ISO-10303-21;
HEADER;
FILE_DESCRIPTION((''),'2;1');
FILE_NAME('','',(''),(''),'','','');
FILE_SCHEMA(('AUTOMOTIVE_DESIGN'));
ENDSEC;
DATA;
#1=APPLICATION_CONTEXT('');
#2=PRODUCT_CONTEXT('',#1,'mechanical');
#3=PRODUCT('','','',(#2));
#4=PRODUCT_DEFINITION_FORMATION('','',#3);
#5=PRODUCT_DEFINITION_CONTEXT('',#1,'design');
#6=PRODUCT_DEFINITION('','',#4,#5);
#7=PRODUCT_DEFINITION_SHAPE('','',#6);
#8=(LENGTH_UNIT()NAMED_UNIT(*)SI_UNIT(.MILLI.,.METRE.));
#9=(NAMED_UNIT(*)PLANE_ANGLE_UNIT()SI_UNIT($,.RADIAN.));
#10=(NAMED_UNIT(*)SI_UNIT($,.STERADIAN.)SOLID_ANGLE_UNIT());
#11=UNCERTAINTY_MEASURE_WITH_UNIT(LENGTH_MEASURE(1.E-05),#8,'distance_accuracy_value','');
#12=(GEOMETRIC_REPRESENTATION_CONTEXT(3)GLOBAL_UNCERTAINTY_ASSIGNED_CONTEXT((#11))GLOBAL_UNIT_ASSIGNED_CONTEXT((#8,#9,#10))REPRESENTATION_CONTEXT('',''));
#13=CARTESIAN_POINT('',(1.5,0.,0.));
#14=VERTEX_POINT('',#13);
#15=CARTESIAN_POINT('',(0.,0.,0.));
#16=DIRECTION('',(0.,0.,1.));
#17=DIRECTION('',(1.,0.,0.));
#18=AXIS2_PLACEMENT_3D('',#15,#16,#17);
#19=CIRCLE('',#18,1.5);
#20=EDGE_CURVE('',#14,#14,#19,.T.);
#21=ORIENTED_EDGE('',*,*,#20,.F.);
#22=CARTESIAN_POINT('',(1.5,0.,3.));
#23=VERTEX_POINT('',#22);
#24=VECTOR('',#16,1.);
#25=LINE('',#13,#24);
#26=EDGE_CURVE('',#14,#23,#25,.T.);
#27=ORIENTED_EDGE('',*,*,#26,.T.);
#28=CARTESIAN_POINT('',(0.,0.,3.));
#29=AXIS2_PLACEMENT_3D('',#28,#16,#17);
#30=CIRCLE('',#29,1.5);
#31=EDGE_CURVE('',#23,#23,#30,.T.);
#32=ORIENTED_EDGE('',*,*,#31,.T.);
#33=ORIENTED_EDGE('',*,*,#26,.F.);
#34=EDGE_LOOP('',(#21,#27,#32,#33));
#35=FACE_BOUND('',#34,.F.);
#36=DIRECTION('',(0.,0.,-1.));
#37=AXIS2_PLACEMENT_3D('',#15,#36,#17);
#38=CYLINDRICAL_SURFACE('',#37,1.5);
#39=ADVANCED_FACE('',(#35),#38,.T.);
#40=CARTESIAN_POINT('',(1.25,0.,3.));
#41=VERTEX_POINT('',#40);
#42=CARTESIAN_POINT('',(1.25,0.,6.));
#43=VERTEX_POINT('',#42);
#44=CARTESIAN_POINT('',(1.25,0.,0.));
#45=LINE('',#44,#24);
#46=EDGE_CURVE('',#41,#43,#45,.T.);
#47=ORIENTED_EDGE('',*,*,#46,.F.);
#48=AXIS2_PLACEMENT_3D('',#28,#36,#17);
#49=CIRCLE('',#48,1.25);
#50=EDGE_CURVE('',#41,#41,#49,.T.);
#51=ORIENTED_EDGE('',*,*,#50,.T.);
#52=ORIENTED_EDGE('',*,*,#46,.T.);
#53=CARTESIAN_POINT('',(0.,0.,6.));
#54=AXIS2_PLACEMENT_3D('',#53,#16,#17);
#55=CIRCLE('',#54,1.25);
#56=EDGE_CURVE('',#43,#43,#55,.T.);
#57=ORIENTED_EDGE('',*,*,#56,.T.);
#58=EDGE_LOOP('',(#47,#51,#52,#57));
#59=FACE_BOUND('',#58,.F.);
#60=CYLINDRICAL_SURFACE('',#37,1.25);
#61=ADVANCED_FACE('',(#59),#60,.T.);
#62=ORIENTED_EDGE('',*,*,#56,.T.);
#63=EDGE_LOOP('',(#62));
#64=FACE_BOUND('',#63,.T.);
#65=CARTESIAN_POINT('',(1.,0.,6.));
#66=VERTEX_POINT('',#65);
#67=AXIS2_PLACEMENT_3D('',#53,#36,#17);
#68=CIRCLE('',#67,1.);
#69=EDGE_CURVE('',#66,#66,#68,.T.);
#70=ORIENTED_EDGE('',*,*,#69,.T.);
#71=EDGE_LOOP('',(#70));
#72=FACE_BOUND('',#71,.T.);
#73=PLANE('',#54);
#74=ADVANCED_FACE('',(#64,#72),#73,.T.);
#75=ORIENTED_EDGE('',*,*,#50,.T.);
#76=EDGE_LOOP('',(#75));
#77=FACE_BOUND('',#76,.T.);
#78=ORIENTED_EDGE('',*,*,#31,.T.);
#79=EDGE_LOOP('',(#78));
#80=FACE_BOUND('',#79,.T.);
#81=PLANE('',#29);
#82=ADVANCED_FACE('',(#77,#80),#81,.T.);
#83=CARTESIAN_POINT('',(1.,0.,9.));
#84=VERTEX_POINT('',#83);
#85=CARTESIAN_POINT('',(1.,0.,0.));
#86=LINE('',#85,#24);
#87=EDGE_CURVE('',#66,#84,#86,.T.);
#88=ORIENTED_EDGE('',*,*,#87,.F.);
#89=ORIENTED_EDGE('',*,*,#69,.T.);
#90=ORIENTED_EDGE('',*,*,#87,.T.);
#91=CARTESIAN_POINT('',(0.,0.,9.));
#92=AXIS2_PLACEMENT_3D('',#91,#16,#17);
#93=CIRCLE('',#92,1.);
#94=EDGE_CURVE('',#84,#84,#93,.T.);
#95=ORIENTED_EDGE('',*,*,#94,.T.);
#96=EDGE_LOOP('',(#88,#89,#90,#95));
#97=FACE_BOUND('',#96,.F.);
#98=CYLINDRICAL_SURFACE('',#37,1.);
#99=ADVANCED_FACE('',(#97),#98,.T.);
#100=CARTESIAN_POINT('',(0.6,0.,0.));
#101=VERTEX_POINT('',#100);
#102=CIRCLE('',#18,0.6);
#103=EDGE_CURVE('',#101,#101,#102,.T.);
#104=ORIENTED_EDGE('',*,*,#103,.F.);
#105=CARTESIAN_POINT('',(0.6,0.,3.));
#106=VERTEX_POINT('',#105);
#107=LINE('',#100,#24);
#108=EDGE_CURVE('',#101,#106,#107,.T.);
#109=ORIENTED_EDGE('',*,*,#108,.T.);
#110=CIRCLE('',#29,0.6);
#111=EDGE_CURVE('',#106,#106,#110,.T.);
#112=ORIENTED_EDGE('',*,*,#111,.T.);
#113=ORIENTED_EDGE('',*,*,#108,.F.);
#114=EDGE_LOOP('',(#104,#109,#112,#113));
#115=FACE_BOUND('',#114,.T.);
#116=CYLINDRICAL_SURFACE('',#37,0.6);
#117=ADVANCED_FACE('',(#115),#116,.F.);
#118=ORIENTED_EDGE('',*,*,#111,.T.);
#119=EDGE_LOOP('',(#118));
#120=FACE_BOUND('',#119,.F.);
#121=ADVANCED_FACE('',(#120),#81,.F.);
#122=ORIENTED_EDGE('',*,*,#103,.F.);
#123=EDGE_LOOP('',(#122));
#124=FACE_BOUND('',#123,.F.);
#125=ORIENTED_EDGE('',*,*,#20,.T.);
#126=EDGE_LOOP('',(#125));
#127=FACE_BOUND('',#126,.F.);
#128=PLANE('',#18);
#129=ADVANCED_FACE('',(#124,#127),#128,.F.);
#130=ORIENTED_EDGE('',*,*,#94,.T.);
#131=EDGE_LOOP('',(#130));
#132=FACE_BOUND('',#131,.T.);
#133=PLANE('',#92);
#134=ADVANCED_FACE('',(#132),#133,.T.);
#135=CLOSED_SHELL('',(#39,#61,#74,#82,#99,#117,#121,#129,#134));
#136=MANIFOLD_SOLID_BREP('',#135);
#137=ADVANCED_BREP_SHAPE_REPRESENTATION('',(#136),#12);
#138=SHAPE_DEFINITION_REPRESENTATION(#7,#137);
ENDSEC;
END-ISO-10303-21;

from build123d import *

# Parameters (mm, degrees)
F1_R     = 1.25
F2_DEPTH = 6
F0_R     = 1
F3_DEPTH = 9
F4_R     = 1.5
F5_DEPTH = 3
F6_R     = 0.6
F7_DEPTH = 3


with BuildPart() as f2:
    # F1 (on Top) → F2 (new body)
    with BuildSketch(Plane.XY):
        Circle(F1_R)
    extrude(amount=F2_DEPTH)

    # F0 (on Top) → F3 (join)
    with BuildSketch(Plane.XY):
        Circle(F0_R)
    extrude(amount=F3_DEPTH)

    # F4 (on Top) → F5 (join)
    with BuildSketch(Plane.XY):
        Circle(F4_R)
    extrude(amount=F5_DEPTH)

    # F6 (on Top) → F7 (cut)
    with BuildSketch(Plane.XY):
        Circle(F6_R)
    extrude(amount=F7_DEPTH, mode=Mode.SUBTRACT)


solid = f2.part
